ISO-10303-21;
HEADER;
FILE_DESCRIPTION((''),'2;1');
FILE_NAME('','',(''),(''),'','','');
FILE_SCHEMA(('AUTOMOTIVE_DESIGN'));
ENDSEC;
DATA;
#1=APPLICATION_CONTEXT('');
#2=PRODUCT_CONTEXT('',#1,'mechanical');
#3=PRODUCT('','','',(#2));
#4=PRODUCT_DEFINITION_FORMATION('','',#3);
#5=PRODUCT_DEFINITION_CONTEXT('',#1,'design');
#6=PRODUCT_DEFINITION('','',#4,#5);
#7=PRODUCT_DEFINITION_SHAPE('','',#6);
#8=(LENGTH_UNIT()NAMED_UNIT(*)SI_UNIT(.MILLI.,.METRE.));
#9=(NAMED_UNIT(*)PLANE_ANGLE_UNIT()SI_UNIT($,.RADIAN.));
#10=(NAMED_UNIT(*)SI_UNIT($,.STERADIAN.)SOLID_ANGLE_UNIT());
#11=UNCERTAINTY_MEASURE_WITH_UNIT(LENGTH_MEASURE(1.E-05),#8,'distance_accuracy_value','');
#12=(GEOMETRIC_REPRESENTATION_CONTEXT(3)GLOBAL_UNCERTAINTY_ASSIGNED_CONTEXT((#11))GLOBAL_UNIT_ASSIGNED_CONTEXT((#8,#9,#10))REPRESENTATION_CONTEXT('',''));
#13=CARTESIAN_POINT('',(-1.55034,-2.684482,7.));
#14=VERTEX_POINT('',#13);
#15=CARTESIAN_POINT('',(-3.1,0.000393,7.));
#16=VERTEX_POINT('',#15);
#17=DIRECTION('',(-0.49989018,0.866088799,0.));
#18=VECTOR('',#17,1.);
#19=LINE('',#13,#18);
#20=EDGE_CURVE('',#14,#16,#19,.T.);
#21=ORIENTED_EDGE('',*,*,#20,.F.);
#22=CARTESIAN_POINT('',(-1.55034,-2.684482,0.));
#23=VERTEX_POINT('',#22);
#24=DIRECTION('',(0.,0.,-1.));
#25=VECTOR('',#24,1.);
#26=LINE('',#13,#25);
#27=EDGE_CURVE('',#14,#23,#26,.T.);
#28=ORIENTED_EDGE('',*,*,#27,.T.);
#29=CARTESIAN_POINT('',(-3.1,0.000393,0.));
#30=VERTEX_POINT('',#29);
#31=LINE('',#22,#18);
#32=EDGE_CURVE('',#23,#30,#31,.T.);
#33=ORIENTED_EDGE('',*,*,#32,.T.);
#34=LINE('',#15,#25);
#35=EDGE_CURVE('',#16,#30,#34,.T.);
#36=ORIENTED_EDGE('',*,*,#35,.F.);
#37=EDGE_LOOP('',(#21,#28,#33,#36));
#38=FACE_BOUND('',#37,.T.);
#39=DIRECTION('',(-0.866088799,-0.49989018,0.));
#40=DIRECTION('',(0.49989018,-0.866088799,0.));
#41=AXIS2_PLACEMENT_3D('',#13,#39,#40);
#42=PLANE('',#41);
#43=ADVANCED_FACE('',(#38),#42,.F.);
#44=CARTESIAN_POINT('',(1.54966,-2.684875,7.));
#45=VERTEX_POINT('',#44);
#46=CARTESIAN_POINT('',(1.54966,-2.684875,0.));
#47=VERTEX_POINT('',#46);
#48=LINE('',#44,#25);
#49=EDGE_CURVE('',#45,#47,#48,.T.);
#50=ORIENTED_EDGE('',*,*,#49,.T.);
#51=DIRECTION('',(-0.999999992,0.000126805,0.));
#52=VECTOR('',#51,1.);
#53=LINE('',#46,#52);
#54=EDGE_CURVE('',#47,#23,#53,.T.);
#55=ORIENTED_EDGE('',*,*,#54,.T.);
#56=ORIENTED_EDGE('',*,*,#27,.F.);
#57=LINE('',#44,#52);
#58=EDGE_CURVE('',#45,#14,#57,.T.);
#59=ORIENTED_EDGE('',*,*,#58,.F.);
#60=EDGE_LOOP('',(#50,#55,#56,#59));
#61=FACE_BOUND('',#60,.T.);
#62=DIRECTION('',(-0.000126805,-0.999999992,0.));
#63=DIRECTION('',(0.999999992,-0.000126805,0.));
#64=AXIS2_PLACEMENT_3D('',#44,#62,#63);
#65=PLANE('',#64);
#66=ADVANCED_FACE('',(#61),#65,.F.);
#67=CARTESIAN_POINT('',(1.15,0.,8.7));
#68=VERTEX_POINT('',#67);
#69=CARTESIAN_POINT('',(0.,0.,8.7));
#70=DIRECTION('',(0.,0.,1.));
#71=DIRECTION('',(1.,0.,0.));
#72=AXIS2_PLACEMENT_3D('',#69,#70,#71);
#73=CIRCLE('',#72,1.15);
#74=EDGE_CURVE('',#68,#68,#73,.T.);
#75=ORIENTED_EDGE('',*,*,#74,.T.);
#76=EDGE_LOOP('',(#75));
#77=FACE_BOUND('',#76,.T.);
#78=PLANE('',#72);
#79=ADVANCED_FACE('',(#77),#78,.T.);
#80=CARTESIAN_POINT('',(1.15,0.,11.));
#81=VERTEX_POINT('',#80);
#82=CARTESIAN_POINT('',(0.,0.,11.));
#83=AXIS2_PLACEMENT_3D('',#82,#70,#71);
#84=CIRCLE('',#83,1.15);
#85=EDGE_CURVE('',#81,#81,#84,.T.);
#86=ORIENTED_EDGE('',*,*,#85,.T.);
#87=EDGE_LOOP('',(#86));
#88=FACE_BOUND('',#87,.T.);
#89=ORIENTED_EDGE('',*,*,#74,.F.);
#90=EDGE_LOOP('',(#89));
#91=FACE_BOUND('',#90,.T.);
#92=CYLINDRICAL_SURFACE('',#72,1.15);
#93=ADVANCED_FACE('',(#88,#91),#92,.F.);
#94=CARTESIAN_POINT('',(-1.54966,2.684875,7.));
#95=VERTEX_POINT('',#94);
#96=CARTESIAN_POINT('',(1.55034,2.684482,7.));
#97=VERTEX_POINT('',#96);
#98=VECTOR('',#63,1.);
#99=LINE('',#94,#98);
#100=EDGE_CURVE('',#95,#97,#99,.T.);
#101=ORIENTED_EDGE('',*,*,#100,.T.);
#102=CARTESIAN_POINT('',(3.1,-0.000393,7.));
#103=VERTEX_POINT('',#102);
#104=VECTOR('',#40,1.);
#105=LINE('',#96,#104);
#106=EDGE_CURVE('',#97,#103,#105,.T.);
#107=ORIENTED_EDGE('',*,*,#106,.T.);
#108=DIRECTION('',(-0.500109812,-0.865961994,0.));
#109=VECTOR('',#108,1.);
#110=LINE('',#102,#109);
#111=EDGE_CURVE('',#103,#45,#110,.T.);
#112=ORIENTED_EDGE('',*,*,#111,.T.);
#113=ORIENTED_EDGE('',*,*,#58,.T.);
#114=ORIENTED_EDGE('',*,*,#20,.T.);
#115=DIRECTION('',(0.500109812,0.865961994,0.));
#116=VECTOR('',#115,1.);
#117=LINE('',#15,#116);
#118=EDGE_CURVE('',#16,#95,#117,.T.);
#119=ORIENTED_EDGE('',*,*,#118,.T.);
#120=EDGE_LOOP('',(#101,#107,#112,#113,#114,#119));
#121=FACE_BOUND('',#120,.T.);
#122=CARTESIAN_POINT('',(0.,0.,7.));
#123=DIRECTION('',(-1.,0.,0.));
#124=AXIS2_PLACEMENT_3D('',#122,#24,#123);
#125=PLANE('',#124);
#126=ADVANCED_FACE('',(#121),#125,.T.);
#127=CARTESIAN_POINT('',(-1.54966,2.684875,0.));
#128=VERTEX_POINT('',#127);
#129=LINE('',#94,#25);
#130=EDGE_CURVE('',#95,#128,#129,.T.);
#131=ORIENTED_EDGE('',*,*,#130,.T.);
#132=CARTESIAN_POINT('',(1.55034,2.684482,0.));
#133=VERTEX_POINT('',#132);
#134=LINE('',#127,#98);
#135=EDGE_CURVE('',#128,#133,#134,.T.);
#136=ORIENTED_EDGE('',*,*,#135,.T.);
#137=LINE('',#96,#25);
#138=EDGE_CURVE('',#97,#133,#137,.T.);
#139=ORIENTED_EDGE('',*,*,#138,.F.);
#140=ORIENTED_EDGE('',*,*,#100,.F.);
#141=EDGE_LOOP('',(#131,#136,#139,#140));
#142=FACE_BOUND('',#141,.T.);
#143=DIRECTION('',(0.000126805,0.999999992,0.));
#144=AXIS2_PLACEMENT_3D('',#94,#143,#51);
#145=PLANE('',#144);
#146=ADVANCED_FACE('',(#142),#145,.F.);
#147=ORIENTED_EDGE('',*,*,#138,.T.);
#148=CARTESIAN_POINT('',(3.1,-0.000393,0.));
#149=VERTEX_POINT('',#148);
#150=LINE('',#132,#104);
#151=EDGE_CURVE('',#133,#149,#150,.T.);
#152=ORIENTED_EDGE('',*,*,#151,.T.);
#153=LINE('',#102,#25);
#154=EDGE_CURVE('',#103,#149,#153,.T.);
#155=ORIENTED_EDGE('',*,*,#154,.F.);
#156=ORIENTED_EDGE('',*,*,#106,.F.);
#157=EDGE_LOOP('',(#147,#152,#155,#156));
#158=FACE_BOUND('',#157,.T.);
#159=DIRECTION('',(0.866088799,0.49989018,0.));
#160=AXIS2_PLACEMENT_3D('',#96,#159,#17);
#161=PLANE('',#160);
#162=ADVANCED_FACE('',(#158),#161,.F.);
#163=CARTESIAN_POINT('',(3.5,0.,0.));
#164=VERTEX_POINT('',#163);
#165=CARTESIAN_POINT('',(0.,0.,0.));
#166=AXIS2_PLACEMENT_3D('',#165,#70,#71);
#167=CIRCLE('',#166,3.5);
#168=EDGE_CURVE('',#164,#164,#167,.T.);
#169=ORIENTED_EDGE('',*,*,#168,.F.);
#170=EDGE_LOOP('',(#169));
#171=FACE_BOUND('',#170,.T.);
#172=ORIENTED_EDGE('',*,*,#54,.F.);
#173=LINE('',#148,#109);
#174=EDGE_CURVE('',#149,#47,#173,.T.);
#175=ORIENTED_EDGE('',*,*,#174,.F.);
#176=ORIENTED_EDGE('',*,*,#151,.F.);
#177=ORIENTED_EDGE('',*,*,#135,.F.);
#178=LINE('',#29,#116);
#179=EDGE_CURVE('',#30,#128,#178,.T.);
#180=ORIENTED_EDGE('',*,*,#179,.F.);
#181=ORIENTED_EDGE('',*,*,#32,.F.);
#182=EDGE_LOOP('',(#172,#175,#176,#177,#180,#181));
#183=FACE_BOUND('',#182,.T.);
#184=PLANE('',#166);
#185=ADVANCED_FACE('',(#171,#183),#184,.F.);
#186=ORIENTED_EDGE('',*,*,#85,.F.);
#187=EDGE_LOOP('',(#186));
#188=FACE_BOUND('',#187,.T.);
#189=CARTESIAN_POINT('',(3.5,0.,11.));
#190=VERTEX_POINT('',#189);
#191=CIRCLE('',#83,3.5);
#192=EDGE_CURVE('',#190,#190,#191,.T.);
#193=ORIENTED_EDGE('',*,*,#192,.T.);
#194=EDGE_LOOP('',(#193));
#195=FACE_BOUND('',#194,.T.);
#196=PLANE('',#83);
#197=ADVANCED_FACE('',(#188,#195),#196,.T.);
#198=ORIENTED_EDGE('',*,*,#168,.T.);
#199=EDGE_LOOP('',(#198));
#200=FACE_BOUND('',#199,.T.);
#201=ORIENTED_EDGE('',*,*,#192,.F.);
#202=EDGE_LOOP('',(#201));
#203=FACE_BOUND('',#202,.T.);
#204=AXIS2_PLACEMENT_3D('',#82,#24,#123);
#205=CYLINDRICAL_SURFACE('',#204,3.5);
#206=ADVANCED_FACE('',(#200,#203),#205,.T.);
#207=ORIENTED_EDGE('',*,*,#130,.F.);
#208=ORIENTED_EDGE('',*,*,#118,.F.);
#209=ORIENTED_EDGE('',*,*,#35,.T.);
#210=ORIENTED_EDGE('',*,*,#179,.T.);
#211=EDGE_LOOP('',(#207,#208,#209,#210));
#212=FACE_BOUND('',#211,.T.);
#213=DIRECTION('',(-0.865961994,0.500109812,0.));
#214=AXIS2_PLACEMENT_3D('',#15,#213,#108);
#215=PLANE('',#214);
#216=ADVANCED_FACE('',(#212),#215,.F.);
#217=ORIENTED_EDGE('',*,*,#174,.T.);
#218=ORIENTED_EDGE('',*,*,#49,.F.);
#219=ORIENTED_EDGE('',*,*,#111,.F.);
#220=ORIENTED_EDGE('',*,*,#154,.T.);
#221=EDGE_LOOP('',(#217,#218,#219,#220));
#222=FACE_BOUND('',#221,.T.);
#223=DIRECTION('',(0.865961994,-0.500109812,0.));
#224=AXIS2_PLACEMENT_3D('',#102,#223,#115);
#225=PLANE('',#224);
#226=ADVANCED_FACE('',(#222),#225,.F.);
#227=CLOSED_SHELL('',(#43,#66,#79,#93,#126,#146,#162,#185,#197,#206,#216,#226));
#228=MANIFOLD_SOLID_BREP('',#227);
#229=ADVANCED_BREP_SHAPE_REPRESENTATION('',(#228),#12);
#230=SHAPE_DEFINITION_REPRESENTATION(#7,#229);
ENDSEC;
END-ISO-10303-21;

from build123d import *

# Parameters (mm, degrees)
CROQUIS1_R              = 3.5
SALIENTE_EXTRUIR1_DEPTH = 11
CORTAR_EXTRUIR1_DEPTH   = 7
CROQUIS4_R              = 1.15
CORTAR_EXTRUIR2_DEPTH   = 2.3


with BuildPart() as part:
    # Croquis1 → Saliente-Extruir1 (new body)
    with BuildSketch(Plane.XY):
        Circle(CROQUIS1_R)
    extrude(amount=SALIENTE_EXTRUIR1_DEPTH)

    # Croquis3 → Cortar-Extruir1 (cut)
    with BuildSketch(Plane(origin=(0, 0, 0), x_dir=(-1, 0, 0), z_dir=(0, 0, -1))):
        Polygon((1.549659556, 2.684875278), (-1.550340419, 2.684482182), (-3.099999975, -0.000393096), (-1.549659556, -2.684875278), (1.550340419, -2.684482182), (3.099999975, 0.000393096), align=None)
    extrude(amount=-CORTAR_EXTRUIR1_DEPTH, mode=Mode.SUBTRACT)

    # Croquis4 → Cortar-Extruir2 (cut)
    with BuildSketch(Plane.XY.offset(11)):
        Circle(CROQUIS4_R)
    extrude(amount=-CORTAR_EXTRUIR2_DEPTH, mode=Mode.SUBTRACT)


solid = part.part
